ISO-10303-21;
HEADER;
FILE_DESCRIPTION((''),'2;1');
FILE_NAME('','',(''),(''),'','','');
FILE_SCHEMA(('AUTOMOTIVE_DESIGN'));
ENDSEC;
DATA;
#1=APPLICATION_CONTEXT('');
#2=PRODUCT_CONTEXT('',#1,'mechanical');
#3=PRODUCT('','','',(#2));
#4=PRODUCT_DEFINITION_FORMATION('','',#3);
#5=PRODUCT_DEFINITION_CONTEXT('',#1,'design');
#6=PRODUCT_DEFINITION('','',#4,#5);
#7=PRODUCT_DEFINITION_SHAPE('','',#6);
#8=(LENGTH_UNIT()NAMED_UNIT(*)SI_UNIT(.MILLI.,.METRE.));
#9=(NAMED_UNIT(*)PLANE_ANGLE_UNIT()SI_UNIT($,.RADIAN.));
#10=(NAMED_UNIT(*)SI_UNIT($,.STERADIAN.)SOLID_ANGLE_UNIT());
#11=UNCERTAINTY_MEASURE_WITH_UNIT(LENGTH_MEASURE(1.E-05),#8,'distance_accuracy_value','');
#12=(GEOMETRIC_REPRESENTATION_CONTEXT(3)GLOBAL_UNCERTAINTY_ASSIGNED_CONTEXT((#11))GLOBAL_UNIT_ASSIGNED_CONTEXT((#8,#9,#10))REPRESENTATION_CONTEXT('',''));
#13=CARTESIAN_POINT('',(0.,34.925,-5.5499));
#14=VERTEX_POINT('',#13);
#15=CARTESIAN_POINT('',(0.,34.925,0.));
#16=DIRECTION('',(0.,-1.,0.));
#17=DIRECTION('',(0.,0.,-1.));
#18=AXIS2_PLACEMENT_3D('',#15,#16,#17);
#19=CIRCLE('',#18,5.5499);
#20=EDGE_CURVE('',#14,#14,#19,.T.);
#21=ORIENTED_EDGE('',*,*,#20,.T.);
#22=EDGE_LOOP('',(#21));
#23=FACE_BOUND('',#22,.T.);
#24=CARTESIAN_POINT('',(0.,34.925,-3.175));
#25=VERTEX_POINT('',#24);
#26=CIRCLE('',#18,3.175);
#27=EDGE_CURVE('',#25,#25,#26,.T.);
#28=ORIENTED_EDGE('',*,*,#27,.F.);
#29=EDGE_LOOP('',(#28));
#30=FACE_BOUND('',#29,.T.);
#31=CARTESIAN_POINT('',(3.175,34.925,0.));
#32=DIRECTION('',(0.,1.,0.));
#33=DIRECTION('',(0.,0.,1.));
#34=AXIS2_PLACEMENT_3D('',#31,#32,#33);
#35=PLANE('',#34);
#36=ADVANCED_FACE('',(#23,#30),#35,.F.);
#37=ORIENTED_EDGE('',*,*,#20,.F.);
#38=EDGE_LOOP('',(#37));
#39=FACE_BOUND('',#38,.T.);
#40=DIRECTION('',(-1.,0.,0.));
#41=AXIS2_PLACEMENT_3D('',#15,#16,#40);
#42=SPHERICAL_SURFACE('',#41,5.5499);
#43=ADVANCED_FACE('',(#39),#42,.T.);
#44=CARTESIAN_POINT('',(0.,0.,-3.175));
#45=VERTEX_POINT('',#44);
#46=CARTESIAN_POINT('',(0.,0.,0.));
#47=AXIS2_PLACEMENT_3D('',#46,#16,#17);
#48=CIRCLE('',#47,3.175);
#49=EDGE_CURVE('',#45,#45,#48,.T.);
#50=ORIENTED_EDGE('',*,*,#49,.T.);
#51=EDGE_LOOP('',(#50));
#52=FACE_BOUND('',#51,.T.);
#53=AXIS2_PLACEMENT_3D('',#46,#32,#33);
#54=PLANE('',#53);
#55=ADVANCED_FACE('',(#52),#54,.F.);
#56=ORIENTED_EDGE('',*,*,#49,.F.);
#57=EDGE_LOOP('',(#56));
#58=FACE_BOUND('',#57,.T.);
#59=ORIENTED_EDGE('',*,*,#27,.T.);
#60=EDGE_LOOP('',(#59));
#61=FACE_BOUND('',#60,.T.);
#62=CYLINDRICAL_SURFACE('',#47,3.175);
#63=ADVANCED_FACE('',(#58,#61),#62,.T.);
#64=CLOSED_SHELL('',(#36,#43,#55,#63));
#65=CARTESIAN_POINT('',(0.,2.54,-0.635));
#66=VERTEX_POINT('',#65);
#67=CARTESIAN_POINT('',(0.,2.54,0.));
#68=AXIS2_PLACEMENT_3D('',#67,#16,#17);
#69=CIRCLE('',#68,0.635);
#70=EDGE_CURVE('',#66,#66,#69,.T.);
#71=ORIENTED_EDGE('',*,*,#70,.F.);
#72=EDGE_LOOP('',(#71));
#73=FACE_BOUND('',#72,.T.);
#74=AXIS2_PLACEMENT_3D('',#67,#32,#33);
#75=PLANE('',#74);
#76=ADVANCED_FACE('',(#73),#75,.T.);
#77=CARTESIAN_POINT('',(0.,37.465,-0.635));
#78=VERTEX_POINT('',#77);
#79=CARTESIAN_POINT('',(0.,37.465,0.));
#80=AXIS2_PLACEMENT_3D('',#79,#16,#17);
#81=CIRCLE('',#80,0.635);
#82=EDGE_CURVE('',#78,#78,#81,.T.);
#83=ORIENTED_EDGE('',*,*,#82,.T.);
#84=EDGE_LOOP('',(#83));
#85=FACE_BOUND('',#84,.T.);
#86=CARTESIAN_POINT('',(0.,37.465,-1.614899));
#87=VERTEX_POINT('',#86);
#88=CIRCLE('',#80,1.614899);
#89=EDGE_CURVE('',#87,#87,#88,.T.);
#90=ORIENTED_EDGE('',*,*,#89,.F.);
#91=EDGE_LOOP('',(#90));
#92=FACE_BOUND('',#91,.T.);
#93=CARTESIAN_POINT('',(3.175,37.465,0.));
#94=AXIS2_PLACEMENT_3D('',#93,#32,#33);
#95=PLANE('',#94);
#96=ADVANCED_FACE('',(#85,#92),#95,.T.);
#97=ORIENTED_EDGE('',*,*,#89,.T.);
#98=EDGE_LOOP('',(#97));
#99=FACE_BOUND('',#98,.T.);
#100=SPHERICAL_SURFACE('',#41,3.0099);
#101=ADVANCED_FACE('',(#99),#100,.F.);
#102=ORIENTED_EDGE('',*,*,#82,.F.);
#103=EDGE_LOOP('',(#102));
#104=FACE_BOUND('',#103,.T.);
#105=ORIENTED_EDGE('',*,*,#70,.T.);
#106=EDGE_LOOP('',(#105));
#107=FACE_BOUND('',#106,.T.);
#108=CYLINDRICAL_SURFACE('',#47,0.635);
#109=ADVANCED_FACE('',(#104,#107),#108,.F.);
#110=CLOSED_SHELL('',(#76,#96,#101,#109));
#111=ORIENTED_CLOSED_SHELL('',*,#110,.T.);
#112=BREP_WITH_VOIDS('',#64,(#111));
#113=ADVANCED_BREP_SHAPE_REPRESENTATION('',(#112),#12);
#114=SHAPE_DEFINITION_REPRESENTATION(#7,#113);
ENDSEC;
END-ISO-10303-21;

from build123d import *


with BuildPart() as part:
    # Sketch1 → Revolve-Thin1 (revolve)
    with BuildSketch(Plane.XY):
        with BuildLine():
            Line((0, 0), (3.175, 0))
            Line((3.175, 0), (3.175, 34.925))
            Line((3.175, 34.925), (5.5499, 34.925))
            ThreePointArc((5.5499, 34.925), (3.924371925, 38.849371925), (0, 40.4749))
            Line((0, 40.4749), (0, 37.9349))
            ThreePointArc((0, 37.9349), (0.840937575, 37.815038409), (1.614898762, 37.465))
            Line((1.614898762, 37.465), (0.635, 37.465))
            Line((0.635, 37.465), (0.635, 2.54))
            Line((0.635, 2.54), (0, 2.54))
            Line((0, 2.54), (0, 0))
        make_face()
    revolve(axis=Axis((0, 0, 0), (0, 1, 0)))


solid = part.part
